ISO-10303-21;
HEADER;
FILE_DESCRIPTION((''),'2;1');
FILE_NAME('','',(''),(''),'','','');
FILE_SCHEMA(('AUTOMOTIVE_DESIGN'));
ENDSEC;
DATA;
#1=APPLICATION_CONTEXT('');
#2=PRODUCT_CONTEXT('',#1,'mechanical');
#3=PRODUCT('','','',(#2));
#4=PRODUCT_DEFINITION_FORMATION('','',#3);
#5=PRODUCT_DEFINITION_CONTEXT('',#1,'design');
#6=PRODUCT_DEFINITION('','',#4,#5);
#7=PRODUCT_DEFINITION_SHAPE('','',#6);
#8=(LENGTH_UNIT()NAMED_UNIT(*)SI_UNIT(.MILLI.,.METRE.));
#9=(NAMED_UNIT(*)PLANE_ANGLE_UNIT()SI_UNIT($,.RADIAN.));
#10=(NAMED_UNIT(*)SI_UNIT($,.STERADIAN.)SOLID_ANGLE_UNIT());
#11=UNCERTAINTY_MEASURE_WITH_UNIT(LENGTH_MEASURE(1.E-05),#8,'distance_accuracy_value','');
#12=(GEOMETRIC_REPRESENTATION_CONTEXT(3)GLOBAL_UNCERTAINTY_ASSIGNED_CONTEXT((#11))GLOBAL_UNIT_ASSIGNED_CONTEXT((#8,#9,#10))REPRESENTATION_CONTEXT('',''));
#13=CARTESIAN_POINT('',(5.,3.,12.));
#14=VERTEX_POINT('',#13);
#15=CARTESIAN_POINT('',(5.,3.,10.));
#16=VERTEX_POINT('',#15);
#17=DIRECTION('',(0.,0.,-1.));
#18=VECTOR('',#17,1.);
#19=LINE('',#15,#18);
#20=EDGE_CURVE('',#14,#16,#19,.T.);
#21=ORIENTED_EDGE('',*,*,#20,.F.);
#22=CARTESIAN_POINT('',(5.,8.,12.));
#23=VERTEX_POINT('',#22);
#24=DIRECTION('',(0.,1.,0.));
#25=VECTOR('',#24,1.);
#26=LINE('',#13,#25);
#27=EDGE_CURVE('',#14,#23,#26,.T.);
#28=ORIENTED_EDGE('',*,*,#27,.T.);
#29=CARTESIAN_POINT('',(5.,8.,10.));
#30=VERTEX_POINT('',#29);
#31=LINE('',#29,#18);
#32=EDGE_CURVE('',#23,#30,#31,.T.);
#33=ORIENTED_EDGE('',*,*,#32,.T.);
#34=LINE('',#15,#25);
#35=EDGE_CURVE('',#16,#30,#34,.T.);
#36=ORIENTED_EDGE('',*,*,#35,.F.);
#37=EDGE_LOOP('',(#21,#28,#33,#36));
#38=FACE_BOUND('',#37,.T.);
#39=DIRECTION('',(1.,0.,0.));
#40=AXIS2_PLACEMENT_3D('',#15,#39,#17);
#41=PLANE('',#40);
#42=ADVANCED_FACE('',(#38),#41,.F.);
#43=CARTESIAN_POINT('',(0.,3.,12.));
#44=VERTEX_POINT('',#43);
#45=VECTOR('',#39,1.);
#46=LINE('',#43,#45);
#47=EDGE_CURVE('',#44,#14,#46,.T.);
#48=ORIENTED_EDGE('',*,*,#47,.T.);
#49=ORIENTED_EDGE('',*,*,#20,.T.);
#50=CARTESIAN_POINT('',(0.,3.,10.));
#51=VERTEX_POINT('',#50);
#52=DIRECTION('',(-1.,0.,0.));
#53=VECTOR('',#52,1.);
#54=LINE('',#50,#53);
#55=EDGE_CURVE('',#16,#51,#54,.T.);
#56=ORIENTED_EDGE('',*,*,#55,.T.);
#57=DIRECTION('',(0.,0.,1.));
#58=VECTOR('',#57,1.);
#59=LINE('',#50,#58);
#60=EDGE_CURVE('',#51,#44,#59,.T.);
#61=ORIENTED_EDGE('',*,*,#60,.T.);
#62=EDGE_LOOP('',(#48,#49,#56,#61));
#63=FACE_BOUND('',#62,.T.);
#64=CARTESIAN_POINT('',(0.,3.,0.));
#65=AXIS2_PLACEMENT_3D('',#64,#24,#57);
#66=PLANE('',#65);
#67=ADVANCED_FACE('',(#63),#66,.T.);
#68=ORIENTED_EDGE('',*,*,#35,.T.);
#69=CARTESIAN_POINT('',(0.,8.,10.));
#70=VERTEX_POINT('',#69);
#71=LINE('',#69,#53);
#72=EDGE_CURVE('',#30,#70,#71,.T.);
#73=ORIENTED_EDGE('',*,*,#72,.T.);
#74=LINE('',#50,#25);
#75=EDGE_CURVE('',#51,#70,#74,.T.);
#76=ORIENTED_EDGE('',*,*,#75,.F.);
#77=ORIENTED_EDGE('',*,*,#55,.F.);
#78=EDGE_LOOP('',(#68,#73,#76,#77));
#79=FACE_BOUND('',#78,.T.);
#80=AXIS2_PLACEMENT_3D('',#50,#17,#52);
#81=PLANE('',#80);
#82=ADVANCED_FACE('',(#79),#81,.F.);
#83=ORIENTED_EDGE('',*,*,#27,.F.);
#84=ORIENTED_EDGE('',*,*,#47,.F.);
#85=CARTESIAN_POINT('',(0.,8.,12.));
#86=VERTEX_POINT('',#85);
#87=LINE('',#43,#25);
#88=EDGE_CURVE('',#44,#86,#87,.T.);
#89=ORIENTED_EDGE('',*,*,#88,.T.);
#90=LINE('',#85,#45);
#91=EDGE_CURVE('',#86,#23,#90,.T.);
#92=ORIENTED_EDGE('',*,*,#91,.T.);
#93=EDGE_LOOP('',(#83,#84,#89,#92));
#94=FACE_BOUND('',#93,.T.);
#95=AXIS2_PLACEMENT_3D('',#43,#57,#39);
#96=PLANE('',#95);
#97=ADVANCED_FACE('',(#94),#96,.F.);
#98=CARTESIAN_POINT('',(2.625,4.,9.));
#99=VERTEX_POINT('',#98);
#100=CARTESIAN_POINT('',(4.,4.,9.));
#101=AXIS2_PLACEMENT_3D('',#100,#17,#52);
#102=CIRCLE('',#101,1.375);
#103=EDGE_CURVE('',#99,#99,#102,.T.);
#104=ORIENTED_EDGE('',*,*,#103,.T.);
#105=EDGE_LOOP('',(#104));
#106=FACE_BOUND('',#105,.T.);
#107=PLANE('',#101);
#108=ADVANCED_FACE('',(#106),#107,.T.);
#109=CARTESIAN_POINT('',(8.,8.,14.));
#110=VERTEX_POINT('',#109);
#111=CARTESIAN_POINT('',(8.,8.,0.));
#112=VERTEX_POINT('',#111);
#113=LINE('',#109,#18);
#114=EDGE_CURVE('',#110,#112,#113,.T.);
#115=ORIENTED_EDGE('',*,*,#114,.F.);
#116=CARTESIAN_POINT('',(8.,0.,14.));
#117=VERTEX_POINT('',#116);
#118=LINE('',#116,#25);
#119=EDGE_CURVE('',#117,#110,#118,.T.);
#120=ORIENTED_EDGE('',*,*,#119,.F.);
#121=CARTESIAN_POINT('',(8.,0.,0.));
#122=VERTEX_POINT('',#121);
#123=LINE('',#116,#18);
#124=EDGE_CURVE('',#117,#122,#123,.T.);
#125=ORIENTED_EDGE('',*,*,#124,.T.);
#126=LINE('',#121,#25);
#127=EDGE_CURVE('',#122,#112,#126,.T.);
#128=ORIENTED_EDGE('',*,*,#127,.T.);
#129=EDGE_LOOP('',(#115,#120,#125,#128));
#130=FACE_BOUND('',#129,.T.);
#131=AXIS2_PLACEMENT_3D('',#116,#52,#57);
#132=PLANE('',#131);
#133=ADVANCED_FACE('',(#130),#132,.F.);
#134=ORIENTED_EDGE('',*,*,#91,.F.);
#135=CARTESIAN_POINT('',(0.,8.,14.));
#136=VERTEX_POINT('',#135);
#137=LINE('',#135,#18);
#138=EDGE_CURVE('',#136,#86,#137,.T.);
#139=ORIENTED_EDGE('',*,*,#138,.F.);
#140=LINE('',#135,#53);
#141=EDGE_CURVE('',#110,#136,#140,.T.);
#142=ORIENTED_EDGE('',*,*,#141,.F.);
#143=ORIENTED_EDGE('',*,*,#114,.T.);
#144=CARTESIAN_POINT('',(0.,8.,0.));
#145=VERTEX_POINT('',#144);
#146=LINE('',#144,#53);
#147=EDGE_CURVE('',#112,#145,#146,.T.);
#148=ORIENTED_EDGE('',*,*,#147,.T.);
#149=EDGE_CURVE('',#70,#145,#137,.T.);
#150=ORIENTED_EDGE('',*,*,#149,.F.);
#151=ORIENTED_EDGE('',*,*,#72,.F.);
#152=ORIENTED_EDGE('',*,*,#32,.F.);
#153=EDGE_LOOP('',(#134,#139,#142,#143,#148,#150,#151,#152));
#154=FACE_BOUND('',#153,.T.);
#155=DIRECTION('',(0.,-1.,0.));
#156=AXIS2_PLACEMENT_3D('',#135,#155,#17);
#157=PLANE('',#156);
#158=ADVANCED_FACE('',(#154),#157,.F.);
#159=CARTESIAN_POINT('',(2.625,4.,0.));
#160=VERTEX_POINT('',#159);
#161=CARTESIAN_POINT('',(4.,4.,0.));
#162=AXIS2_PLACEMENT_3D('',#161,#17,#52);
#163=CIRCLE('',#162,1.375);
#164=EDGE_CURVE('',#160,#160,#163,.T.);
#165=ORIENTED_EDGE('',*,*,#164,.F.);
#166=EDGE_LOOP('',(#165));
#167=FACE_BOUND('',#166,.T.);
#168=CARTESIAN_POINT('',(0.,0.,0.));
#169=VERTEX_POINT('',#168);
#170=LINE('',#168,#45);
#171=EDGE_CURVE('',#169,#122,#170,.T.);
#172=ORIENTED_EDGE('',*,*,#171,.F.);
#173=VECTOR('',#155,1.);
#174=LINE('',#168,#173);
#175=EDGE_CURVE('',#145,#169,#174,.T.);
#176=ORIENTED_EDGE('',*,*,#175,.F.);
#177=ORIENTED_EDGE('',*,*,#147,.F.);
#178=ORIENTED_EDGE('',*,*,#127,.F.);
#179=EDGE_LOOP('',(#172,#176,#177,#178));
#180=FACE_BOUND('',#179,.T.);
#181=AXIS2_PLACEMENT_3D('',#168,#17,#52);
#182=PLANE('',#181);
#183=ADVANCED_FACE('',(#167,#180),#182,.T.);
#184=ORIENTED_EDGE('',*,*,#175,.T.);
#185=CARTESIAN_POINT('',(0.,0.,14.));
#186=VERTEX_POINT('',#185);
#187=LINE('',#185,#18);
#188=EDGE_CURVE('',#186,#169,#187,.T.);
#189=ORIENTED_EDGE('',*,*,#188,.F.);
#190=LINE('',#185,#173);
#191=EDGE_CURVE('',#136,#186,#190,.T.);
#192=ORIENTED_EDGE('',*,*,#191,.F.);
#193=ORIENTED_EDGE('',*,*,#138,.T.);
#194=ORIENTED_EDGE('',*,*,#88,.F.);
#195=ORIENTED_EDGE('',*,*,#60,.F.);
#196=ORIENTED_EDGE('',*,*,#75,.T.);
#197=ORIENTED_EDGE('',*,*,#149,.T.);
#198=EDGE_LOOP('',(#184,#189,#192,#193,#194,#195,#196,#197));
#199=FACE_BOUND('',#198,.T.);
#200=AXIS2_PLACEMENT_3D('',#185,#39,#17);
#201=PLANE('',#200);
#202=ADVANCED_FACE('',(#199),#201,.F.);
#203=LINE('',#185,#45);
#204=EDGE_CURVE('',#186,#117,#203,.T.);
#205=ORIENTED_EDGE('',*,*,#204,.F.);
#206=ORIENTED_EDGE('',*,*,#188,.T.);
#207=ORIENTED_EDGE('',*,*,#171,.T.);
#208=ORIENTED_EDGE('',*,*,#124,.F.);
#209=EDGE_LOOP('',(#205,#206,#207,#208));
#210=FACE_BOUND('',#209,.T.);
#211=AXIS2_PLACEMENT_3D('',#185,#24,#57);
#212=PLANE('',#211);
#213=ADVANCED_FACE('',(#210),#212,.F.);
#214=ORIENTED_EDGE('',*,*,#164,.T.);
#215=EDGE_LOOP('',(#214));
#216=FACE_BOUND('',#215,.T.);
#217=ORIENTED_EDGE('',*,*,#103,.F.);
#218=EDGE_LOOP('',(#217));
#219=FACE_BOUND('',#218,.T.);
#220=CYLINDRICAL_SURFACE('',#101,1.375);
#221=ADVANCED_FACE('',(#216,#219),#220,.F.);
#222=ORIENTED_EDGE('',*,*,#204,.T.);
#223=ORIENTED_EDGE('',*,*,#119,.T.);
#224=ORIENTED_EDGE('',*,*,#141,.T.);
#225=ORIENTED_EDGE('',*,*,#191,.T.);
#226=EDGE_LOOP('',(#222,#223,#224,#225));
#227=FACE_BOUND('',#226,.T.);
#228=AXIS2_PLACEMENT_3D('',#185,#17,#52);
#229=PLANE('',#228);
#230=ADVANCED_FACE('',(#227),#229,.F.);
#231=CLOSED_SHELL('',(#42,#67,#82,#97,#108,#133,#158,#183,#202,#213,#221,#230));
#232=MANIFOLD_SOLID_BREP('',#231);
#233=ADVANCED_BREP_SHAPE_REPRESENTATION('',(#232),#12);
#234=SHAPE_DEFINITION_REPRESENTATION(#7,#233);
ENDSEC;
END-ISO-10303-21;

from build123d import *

# Parameters (mm, degrees)
SZKIC1_W                    = 8
SZKIC1_H                    = 8
DODANIE_WYCI_GNI_CIE1_DEPTH = 14
SZKIC2_W                    = 5
SZKIC2_H                    = 2
WYTNIJ_WYCI_GNI_CIE1_DEPTH  = 5
SZKIC3_R                    = 1.375
WYTNIJ_WYCI_GNI_CIE2_DEPTH  = 9


with BuildPart() as part:
    # Szkic1 → Dodanie-wyciągnięcie1 (new body)
    with BuildSketch(Plane.XY):
        with Locations((4, 4)):
            Rectangle(SZKIC1_W, SZKIC1_H)
    extrude(amount=DODANIE_WYCI_GNI_CIE1_DEPTH)

    # Szkic2 → Wytnij-wyciągnięcie1 (cut)
    with BuildSketch(Plane(origin=(0, 8, 0), x_dir=(1, 0, 0), z_dir=(0, 1, 0))):
        with Locations((2.5, -11)):
            Rectangle(SZKIC2_W, SZKIC2_H)
    extrude(amount=-WYTNIJ_WYCI_GNI_CIE1_DEPTH, mode=Mode.SUBTRACT)

    # Szkic3 → Wytnij-wyciągnięcie2 (cut)
    with BuildSketch(Plane(origin=(0, 0, 0), x_dir=(-1, 0, 0), z_dir=(0, 0, -1))):
        with Locations((-4, 4)):
            Circle(SZKIC3_R)
    extrude(amount=-WYTNIJ_WYCI_GNI_CIE2_DEPTH, mode=Mode.SUBTRACT)


solid = part.part
